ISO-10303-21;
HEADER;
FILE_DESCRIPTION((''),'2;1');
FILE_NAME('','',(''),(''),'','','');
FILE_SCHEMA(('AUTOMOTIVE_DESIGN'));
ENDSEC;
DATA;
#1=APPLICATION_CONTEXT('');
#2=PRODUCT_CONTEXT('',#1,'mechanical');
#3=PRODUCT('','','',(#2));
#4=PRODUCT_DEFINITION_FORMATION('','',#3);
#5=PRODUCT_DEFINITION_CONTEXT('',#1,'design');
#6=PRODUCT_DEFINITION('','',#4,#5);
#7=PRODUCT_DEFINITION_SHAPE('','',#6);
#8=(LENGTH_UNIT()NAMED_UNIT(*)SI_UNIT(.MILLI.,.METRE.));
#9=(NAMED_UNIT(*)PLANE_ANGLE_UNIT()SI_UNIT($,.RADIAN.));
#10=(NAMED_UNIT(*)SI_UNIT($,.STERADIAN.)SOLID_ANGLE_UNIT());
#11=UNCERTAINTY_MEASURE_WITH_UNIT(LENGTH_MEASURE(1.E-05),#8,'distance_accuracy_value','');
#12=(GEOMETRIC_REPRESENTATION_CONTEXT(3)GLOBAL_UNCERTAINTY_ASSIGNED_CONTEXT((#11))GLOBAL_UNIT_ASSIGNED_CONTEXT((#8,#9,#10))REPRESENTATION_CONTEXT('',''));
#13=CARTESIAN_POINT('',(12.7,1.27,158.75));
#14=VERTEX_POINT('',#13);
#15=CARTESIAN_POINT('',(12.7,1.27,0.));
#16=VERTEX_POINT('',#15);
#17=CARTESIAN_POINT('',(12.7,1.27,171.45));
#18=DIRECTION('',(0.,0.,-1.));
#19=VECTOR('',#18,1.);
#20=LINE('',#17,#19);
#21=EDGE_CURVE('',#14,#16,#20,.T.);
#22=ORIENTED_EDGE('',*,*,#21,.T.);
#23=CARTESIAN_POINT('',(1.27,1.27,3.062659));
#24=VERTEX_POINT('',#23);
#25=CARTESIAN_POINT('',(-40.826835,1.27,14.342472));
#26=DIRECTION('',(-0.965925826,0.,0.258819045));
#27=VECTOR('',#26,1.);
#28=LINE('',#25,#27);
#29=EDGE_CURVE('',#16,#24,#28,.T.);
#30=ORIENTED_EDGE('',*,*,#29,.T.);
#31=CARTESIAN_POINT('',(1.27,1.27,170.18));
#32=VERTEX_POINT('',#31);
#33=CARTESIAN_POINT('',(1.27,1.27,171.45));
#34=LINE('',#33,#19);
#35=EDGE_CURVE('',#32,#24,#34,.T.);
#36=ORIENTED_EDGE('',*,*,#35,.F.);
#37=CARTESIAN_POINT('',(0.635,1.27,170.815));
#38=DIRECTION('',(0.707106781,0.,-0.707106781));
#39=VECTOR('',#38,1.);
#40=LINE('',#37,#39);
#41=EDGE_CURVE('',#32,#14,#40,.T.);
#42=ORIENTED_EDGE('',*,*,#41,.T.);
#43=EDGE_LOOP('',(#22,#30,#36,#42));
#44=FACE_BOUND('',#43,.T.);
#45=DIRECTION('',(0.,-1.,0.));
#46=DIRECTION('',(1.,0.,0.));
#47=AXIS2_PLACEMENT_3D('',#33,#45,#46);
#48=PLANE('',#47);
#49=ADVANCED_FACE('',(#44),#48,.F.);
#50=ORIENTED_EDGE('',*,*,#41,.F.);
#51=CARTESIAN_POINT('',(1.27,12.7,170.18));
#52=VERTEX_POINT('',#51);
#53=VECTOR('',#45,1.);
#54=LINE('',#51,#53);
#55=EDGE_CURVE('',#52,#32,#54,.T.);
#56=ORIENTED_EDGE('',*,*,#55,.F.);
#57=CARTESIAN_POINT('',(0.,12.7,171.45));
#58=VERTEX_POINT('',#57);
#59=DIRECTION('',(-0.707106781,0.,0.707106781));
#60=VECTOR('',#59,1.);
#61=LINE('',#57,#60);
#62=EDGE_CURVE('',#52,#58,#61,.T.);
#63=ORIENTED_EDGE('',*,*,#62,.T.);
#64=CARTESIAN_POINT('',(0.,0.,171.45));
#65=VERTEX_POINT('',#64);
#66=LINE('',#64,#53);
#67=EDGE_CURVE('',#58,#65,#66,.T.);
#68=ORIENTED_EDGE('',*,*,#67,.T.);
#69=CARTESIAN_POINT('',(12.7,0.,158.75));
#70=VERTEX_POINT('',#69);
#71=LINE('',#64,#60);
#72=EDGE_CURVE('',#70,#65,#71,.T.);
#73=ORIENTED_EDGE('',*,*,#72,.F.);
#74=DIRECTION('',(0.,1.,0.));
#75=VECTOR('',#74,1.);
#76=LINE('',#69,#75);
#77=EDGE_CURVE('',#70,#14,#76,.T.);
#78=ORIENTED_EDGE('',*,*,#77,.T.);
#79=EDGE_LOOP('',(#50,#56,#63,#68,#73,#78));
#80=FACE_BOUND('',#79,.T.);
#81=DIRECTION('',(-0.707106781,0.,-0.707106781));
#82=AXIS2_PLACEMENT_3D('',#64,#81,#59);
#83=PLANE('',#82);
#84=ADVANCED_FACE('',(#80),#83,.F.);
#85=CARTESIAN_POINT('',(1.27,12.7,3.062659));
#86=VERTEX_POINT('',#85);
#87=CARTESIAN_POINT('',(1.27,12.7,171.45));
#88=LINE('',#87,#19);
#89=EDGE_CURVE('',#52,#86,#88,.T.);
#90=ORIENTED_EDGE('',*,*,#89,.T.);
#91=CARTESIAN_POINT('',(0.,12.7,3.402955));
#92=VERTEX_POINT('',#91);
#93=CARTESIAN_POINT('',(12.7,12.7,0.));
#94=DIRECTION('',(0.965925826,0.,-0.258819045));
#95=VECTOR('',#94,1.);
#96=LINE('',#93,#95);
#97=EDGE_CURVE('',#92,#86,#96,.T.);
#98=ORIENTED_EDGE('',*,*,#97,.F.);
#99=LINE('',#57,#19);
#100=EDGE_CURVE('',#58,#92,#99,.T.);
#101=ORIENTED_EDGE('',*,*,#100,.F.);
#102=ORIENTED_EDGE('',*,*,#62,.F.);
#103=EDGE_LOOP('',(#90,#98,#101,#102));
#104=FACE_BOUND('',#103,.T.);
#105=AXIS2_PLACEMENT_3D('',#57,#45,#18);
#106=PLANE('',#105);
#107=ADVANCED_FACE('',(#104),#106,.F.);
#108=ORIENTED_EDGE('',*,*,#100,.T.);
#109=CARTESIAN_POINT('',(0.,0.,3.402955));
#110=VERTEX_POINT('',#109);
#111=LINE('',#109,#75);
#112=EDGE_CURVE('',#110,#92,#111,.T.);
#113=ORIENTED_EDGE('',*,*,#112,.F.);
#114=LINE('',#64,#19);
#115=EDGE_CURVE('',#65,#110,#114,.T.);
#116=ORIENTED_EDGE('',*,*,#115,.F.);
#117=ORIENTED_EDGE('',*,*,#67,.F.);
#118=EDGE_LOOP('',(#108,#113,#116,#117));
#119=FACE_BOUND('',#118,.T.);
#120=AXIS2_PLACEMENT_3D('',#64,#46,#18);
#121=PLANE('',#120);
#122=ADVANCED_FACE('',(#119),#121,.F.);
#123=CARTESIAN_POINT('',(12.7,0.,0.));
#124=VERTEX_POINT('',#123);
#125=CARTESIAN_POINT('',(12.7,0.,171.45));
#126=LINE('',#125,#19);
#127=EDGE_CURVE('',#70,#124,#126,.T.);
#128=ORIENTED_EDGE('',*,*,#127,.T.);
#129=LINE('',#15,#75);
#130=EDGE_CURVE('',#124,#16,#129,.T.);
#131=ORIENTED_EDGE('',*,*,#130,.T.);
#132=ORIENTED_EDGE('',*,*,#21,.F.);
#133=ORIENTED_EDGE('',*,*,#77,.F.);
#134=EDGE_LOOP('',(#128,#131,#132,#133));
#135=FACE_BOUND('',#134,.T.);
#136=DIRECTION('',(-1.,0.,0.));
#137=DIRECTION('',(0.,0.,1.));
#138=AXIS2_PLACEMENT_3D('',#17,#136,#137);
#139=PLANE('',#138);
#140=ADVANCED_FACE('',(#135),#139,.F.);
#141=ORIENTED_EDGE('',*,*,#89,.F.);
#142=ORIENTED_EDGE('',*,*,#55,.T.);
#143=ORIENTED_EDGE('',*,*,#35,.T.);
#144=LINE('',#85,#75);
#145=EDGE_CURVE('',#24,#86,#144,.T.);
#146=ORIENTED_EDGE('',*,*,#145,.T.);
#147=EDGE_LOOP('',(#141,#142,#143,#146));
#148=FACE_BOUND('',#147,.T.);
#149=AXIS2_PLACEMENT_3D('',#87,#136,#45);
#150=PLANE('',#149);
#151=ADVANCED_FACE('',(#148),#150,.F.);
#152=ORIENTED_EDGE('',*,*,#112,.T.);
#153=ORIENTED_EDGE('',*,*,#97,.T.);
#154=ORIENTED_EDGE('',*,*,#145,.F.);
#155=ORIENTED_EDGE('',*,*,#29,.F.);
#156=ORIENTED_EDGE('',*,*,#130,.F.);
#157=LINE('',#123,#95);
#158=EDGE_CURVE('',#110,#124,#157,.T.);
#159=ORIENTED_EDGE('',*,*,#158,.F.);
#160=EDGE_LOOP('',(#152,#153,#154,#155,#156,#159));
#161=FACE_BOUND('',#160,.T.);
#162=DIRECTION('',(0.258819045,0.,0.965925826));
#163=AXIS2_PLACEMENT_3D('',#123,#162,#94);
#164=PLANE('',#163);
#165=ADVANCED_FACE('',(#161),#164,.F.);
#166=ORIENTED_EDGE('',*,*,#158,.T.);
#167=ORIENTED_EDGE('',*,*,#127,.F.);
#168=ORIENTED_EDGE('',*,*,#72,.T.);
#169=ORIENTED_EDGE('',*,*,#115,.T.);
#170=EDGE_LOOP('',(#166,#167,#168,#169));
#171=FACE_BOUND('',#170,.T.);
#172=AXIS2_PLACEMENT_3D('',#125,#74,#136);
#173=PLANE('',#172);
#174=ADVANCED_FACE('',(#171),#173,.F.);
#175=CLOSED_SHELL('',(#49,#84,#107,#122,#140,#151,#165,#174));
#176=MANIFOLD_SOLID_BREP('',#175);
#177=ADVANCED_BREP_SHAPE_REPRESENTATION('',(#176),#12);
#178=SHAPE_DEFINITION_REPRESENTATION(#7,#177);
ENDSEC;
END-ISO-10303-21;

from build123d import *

# Parameters (mm, degrees)
BOSS_EXTRUDE1_DEPTH     = 171.45
CUT_EXTRUDE2_DEPTH      = 173.299266975
CUT_EXTRUDE2_DEPTH_BACK = 173.299266975


with BuildPart() as part:
    # Sketch1 → Boss-Extrude1 (new body)
    with BuildSketch(Plane.XY):
        Polygon((0, 0), (0, 12.7), (1.27, 12.7), (1.27, 1.27), (12.7, 1.27), (12.7, 0), align=None)
    extrude(amount=BOSS_EXTRUDE1_DEPTH)

    # Sketch3 → Cut-Extrude2 (cut, two sides: drawn at the far end of the back side and taken through both)
    with BuildSketch(Plane(origin=(0, 1.27, 0), x_dir=(1, 0, 0), z_dir=(0, 1, 0)).offset(-CUT_EXTRUDE2_DEPTH_BACK)):
        Polygon((0, -171.45), (12.7, -158.75), (12.7, -171.45), align=None)
        Polygon((12.7, 0), (0, -3.402954744), (0, 0), align=None)
    extrude(amount=CUT_EXTRUDE2_DEPTH + CUT_EXTRUDE2_DEPTH_BACK, mode=Mode.SUBTRACT)


solid = part.part
